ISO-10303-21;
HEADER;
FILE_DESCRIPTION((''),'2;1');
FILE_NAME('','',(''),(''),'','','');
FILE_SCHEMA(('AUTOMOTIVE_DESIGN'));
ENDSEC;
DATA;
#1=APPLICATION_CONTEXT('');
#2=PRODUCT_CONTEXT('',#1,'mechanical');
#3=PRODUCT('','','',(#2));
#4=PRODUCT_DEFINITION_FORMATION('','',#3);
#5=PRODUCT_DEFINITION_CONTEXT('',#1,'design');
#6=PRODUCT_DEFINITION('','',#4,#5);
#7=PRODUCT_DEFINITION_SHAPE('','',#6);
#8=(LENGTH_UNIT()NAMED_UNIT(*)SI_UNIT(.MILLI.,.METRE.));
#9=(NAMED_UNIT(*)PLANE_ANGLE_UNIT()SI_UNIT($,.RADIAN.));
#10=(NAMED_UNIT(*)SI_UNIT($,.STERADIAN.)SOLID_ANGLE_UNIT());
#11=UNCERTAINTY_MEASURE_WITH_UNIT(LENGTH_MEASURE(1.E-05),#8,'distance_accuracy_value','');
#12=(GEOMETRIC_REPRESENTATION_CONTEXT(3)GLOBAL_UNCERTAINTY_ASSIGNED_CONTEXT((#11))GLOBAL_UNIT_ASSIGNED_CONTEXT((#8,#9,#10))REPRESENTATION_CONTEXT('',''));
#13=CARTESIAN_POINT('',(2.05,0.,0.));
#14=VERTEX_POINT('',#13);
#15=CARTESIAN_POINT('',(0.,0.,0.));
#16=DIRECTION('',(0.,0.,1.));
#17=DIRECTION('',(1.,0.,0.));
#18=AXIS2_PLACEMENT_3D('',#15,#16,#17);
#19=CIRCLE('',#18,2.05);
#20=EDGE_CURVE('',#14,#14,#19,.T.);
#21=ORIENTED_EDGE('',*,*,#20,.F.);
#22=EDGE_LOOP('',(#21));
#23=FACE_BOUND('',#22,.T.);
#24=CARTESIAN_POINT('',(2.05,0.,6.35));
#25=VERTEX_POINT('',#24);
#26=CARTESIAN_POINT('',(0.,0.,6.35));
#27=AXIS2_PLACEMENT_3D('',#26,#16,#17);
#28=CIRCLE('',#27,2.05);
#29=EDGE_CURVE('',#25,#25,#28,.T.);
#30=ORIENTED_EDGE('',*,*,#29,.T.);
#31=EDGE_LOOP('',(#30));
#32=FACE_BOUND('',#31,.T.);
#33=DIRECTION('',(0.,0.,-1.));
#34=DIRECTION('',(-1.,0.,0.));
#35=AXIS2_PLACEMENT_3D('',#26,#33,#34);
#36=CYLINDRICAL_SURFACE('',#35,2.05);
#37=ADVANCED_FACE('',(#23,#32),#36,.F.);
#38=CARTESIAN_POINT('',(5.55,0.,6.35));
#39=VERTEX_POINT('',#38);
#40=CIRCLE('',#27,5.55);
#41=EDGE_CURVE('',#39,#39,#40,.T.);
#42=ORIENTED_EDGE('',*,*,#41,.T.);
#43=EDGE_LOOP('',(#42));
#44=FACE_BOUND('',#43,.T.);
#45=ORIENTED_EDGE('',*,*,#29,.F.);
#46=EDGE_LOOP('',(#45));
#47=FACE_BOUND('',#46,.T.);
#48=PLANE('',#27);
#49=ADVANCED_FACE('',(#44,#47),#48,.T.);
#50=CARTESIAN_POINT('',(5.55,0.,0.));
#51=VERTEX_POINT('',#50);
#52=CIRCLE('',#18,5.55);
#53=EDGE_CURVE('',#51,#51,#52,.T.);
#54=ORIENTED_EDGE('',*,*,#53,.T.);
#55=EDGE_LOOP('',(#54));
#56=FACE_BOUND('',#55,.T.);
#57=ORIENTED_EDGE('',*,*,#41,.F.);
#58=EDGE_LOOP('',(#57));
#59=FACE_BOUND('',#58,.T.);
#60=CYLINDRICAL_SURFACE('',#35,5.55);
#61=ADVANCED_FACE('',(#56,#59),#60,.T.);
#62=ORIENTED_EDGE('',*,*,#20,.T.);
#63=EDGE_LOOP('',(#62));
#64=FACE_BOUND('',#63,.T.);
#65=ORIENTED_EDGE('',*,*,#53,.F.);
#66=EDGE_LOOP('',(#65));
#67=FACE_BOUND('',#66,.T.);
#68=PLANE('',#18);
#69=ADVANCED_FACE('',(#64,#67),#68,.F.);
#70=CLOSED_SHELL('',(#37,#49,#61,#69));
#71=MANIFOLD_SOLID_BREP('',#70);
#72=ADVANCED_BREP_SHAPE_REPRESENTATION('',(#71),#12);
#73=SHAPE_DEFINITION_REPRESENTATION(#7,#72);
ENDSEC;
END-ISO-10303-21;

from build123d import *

# Parameters (mm, degrees)
SKETCH1_R           = 5.55
SKETCH1_R_2         = 2.05
BOSS_EXTRUDE1_DEPTH = 6.35


with BuildPart() as part:
    # Sketch1 → Boss-Extrude1 (new body)
    with BuildSketch(Plane.XY):
        Circle(SKETCH1_R)
        Circle(SKETCH1_R_2, mode=Mode.SUBTRACT)
    extrude(amount=BOSS_EXTRUDE1_DEPTH)


solid = part.part
